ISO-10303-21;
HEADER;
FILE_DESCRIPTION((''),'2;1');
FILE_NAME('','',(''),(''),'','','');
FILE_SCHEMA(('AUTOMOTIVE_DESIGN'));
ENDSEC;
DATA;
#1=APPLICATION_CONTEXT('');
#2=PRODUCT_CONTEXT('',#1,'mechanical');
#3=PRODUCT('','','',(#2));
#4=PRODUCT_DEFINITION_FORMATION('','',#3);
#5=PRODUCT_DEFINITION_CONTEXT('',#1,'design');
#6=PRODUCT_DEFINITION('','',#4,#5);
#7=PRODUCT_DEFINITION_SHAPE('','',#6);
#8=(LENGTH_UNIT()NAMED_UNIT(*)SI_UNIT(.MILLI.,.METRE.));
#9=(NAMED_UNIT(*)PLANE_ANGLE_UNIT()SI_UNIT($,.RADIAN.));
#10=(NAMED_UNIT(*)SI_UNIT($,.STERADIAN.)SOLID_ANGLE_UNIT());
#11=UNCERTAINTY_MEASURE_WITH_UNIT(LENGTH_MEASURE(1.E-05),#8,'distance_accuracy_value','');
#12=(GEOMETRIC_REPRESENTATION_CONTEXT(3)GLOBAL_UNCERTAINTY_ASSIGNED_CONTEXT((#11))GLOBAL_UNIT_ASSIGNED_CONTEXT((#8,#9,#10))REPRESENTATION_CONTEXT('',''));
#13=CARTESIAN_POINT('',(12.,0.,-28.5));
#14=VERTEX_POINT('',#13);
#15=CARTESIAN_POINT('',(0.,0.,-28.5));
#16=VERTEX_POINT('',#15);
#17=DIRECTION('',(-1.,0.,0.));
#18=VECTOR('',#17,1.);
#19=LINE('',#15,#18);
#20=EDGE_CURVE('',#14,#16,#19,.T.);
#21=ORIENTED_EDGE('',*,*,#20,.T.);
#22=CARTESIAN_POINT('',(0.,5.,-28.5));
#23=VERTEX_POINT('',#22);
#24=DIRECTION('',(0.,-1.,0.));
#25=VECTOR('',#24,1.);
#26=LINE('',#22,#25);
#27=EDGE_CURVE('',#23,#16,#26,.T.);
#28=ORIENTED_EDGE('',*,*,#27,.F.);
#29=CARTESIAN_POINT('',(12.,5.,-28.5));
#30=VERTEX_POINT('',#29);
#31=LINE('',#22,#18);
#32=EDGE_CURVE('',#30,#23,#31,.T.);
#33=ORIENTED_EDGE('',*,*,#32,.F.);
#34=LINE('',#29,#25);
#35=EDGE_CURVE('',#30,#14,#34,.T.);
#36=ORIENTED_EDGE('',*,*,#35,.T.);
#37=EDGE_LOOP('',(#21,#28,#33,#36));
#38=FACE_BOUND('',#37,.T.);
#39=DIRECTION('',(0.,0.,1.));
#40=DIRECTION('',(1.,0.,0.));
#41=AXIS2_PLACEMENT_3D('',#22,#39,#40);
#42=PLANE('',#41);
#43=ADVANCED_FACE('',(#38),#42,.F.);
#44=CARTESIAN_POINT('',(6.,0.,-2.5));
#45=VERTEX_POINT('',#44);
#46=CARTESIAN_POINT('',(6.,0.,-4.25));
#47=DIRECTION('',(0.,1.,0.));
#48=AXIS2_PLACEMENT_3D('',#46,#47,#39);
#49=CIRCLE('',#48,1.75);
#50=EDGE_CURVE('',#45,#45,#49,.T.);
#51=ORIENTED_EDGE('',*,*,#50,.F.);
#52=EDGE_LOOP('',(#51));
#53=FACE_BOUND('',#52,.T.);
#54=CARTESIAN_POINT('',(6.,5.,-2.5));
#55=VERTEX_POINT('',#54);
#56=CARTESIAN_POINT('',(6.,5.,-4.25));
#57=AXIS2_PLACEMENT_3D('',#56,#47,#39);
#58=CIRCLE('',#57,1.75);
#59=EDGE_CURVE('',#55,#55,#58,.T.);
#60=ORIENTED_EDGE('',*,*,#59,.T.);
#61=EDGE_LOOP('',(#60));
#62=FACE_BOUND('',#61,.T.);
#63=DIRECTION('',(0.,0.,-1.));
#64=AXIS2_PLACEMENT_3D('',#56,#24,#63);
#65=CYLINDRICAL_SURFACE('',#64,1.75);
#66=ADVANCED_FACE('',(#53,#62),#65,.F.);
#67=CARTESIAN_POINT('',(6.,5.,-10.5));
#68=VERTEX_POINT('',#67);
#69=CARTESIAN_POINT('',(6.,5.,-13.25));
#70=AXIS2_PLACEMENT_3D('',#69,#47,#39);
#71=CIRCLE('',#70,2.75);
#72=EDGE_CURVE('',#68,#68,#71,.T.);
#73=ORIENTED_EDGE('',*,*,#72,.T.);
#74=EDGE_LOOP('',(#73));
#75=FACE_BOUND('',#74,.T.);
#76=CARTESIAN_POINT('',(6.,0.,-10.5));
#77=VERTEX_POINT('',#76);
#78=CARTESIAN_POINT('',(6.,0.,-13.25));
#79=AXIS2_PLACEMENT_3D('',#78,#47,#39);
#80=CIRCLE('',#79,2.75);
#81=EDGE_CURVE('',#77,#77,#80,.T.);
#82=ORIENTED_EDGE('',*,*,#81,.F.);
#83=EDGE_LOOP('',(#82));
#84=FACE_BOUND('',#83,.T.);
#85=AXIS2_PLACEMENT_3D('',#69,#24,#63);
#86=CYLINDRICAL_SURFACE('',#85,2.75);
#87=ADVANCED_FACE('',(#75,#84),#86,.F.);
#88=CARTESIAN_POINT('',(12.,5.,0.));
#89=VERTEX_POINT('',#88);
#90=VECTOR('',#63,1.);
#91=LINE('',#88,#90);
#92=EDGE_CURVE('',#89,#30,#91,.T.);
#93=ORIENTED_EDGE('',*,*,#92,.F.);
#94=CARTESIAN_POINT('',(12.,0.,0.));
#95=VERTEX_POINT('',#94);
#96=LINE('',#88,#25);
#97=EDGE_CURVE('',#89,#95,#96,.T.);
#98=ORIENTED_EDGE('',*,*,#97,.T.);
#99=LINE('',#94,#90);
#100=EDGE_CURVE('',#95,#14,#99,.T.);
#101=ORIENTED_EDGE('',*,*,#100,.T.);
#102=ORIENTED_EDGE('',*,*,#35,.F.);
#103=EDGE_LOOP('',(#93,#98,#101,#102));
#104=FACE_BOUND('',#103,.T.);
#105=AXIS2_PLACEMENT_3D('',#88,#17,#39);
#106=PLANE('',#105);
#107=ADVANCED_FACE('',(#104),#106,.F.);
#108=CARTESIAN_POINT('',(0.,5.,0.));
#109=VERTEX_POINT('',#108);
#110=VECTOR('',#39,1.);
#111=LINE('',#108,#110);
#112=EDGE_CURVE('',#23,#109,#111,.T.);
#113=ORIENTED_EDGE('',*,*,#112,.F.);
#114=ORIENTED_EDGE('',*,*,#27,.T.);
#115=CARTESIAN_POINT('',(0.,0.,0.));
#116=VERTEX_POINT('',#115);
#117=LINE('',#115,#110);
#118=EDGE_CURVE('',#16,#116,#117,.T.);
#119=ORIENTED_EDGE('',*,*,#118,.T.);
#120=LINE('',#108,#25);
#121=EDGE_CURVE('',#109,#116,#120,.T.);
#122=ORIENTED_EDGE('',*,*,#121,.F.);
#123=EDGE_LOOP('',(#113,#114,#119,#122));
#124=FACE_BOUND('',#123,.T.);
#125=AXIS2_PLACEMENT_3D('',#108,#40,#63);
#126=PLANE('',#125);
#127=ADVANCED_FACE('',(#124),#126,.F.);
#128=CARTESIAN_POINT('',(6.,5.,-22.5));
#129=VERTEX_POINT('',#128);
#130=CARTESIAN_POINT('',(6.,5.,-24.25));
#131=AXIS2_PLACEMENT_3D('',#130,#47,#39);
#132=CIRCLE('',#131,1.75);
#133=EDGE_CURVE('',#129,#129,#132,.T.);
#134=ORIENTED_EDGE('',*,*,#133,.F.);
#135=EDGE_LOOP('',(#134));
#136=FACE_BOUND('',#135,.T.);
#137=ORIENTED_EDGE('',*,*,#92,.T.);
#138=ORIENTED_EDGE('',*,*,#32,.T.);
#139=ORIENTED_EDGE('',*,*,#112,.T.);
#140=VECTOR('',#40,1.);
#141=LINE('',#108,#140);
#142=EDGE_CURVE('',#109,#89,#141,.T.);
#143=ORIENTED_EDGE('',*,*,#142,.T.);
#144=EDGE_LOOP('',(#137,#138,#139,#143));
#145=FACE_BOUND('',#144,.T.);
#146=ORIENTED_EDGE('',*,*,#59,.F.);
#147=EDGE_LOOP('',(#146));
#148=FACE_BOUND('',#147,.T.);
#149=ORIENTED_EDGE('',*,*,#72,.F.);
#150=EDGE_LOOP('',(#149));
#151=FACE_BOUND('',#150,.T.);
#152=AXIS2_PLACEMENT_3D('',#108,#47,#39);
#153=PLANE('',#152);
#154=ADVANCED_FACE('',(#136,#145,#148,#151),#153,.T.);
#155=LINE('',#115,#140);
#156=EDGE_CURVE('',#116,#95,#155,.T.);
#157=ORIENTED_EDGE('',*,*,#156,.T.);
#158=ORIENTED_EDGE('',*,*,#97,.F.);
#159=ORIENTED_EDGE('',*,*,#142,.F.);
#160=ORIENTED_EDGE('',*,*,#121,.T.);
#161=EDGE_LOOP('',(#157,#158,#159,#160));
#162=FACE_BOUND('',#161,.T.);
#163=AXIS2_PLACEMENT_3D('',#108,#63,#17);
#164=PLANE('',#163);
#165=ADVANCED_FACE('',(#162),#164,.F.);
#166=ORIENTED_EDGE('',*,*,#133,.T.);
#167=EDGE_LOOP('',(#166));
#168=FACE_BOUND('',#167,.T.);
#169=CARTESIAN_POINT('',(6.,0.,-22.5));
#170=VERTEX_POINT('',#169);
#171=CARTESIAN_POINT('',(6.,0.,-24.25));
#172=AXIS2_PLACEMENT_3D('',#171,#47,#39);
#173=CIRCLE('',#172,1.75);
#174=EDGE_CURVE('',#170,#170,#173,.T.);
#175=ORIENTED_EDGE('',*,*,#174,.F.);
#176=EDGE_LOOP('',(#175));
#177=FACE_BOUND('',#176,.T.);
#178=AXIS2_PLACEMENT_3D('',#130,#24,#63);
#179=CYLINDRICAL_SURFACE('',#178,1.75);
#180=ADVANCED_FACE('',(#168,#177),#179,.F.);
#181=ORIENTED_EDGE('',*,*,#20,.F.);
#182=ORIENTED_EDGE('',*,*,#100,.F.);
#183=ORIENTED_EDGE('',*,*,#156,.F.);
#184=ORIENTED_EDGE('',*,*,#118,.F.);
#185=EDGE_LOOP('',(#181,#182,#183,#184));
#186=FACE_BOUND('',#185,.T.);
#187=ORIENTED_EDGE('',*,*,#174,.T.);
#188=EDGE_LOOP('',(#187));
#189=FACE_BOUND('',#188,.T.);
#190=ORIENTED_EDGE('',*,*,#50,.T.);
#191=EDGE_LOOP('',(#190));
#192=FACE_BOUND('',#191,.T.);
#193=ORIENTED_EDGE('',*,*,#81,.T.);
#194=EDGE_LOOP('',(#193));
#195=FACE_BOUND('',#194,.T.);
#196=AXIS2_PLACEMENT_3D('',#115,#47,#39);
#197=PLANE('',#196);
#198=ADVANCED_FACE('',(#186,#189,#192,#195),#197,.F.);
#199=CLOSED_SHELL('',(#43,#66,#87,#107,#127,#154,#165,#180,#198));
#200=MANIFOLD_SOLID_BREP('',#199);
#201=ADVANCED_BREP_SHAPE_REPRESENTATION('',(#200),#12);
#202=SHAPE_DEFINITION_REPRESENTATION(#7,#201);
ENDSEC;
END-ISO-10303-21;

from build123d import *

# Parameters (mm, degrees)
SKETCH1_W           = 12
SKETCH1_H           = 28.5
SKETCH1_R           = 1.75
SKETCH1_R_2         = 2.75
BOSS_EXTRUDE1_DEPTH = 5


with BuildPart() as part:
    # Sketch1 → Boss-Extrude1 (new body)
    with BuildSketch(Plane(origin=(0, 0, 0), x_dir=(1, 0, 0), z_dir=(0, 1, 0))):
        with Locations((6, 14.25)):
            Rectangle(SKETCH1_W, SKETCH1_H)
        with Locations((6, 24.25)):
            Circle(SKETCH1_R, mode=Mode.SUBTRACT)
        with Locations((6, 4.25)):
            Circle(SKETCH1_R, mode=Mode.SUBTRACT)
        with Locations((6, 13.25)):
            Circle(SKETCH1_R_2, mode=Mode.SUBTRACT)
    extrude(amount=BOSS_EXTRUDE1_DEPTH)


solid = part.part
